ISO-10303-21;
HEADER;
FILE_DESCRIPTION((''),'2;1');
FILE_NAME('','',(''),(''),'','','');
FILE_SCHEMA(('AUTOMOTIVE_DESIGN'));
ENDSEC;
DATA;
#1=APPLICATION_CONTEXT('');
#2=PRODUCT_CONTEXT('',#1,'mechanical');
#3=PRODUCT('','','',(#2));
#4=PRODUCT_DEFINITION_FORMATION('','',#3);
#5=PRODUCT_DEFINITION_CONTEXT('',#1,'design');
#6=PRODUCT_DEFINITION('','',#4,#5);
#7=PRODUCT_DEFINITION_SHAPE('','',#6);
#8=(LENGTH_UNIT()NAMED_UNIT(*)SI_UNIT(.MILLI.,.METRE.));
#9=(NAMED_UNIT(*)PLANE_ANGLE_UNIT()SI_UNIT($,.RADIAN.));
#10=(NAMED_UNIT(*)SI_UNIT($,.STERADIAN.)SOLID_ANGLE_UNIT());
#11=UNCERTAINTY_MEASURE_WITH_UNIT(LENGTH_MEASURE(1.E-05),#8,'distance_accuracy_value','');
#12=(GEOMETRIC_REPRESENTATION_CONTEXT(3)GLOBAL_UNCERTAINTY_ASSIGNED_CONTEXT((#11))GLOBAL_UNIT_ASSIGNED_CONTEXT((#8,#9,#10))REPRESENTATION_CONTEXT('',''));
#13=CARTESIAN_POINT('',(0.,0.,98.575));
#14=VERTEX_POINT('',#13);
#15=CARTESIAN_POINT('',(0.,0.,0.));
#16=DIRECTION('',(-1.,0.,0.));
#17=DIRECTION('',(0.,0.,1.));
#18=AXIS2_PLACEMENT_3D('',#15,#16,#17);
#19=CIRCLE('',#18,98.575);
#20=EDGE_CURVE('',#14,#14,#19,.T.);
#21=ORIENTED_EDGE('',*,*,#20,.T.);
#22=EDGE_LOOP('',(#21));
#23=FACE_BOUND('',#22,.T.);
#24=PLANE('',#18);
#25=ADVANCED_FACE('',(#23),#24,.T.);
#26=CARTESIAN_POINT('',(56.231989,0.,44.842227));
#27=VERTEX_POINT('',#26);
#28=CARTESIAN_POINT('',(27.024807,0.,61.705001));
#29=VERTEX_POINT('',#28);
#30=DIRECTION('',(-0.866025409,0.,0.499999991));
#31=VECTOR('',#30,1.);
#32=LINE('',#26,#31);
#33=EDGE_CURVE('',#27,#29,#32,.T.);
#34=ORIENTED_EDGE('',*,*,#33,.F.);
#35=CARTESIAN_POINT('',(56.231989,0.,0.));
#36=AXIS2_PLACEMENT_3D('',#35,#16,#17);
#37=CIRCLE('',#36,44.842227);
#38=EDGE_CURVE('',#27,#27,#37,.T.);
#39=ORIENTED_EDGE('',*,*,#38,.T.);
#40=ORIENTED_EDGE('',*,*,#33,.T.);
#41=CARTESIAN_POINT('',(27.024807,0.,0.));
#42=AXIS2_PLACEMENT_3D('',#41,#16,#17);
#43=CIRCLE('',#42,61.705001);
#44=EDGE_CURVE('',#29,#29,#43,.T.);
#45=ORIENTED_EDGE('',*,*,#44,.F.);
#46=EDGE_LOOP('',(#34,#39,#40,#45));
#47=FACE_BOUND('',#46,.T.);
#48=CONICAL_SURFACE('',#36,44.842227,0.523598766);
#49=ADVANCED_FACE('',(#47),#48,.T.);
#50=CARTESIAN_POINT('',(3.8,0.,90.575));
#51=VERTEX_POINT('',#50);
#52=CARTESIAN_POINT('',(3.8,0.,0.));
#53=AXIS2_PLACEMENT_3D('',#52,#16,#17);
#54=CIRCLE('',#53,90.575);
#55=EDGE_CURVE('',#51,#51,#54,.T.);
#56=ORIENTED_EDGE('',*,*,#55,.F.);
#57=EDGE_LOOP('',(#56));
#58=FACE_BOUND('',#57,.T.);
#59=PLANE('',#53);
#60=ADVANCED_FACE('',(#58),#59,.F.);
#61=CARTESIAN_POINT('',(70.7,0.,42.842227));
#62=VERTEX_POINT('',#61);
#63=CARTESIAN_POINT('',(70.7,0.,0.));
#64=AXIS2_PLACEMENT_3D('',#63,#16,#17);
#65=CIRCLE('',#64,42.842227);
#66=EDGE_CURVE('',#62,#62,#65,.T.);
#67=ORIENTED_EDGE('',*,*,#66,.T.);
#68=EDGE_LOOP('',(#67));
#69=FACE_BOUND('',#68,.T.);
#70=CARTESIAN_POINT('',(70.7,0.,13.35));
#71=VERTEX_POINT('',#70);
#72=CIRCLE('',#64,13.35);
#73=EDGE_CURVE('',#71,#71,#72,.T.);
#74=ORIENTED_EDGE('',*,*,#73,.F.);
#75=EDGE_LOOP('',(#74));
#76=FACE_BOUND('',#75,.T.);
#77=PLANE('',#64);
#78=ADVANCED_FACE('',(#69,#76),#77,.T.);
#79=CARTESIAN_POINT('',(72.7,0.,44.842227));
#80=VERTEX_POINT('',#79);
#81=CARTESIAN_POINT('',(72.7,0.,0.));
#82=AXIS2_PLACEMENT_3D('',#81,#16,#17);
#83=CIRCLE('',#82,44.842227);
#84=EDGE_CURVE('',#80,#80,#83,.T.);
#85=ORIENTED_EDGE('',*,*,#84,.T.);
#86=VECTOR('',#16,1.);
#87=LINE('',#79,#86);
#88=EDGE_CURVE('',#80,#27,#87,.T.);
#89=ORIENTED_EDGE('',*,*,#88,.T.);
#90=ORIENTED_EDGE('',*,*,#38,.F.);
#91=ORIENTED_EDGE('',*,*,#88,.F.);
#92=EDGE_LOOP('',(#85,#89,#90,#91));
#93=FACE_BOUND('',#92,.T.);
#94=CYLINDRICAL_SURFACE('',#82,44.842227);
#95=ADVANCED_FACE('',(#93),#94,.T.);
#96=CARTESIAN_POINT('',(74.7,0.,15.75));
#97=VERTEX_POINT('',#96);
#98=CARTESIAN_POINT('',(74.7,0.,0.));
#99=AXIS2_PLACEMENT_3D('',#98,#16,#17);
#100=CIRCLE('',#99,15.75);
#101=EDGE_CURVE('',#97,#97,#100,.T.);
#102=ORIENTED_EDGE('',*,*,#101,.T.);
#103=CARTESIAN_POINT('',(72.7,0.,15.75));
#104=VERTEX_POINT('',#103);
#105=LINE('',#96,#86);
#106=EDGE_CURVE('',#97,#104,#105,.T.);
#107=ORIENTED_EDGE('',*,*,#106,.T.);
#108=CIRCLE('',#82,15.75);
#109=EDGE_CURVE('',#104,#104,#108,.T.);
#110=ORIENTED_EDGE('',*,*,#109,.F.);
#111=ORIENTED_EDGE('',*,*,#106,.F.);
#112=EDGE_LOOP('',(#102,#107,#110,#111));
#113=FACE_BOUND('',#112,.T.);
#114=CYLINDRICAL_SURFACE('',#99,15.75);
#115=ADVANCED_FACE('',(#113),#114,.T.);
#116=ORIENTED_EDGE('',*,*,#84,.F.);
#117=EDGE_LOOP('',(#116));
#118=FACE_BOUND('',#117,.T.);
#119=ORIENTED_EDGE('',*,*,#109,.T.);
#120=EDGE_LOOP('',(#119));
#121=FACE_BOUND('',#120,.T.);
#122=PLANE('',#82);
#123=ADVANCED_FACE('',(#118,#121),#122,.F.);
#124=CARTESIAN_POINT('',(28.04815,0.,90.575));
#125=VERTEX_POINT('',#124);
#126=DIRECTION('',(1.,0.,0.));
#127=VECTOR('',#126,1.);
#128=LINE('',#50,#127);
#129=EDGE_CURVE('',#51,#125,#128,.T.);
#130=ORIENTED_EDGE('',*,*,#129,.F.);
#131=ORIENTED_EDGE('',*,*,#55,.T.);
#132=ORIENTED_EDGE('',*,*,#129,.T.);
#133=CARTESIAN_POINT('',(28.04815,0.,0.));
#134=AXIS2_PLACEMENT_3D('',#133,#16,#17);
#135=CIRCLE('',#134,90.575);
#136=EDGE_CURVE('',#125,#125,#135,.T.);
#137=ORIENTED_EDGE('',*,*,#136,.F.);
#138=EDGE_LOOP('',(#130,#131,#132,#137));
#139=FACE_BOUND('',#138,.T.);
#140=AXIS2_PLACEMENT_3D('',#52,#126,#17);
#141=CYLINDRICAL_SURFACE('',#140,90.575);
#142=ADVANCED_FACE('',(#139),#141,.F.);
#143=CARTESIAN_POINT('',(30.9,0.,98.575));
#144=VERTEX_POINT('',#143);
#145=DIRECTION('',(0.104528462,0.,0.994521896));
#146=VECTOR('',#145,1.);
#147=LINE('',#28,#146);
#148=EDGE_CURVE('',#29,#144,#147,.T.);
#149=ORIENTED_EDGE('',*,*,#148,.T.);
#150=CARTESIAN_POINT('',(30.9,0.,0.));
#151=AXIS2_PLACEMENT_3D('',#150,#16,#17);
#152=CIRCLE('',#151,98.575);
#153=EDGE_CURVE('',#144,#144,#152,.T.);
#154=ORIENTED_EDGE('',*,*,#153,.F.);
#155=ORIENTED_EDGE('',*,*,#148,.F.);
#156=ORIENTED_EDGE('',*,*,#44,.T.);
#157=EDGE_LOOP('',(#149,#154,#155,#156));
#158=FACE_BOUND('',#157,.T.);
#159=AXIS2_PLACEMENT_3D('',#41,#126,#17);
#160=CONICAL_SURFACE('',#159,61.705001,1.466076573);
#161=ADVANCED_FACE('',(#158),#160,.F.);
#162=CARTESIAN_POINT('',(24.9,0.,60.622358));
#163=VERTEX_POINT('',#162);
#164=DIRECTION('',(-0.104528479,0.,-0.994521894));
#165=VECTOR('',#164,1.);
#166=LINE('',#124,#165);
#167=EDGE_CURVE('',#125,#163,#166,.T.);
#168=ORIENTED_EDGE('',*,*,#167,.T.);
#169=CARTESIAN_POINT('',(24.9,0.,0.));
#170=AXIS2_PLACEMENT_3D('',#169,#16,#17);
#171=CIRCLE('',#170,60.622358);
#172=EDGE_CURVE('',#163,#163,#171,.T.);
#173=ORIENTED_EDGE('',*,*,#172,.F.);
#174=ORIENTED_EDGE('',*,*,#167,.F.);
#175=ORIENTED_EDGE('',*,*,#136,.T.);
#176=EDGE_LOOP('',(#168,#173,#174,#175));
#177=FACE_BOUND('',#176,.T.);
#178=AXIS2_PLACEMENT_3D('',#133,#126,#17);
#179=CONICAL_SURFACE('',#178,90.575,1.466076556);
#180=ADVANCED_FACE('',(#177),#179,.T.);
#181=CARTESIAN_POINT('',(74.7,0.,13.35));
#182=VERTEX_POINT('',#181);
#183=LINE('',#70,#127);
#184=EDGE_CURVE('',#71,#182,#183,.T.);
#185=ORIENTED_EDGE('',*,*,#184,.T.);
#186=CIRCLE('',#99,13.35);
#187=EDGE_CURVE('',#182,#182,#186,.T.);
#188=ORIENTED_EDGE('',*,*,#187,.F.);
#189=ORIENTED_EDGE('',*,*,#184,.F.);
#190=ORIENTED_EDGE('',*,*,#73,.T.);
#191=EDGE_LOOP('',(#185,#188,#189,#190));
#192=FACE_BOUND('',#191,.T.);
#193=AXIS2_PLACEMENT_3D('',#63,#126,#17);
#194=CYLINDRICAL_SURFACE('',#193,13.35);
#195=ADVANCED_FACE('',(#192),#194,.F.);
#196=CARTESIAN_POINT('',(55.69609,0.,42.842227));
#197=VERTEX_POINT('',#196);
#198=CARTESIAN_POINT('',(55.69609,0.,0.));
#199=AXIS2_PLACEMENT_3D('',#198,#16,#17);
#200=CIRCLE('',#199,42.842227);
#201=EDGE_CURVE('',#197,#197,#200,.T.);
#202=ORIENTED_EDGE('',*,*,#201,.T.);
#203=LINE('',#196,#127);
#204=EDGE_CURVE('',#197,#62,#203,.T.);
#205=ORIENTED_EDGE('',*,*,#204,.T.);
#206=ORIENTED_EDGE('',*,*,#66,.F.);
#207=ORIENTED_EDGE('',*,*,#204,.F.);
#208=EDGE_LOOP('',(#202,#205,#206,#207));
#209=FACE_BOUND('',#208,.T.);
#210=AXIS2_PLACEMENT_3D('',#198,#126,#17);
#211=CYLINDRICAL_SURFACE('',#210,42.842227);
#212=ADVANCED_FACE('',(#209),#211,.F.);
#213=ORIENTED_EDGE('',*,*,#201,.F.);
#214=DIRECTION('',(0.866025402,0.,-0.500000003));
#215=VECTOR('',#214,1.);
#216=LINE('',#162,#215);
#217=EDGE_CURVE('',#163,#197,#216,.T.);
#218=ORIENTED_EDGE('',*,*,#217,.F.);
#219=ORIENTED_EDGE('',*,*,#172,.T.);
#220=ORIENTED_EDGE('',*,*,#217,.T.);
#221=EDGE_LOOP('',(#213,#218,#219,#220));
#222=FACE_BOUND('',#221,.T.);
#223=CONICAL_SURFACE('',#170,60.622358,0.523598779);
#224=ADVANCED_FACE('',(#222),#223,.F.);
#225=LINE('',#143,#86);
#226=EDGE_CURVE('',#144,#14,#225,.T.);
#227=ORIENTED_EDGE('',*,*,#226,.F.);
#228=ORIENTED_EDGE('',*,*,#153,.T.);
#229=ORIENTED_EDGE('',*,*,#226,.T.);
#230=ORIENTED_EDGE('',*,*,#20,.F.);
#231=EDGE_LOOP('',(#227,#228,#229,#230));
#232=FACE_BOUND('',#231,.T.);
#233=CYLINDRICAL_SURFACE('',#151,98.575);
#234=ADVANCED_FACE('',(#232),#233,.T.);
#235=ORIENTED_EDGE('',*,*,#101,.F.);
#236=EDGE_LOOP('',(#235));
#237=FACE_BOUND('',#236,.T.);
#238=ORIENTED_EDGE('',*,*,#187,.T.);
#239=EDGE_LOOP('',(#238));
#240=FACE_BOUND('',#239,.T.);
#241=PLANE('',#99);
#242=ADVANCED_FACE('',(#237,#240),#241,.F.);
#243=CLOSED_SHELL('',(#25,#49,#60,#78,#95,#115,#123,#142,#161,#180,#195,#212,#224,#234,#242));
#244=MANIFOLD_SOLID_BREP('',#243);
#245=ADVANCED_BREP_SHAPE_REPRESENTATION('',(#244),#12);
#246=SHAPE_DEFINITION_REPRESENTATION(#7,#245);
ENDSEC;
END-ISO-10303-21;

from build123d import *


with BuildPart() as f1:
    # F0 (on Front) → F1 (revolve)
    with BuildSketch(Plane.XZ):
        Polygon((0, 98.575), (0, 0), (3.8, 0), (3.8, 90.575), (28.04815, 90.575), (24.9, 60.622358), (55.69609, 42.842227), (70.7, 42.842227), (70.7, 13.35), (74.7, 13.35), (74.7, 15.75), (72.7, 15.75), (72.7, 44.842227), (56.231989, 44.842227), (27.024807, 61.705001), (30.9, 98.575), align=None)
    revolve(axis=Axis((1.9, 0, 0), (-1, 0, 0)))


solid = f1.part
